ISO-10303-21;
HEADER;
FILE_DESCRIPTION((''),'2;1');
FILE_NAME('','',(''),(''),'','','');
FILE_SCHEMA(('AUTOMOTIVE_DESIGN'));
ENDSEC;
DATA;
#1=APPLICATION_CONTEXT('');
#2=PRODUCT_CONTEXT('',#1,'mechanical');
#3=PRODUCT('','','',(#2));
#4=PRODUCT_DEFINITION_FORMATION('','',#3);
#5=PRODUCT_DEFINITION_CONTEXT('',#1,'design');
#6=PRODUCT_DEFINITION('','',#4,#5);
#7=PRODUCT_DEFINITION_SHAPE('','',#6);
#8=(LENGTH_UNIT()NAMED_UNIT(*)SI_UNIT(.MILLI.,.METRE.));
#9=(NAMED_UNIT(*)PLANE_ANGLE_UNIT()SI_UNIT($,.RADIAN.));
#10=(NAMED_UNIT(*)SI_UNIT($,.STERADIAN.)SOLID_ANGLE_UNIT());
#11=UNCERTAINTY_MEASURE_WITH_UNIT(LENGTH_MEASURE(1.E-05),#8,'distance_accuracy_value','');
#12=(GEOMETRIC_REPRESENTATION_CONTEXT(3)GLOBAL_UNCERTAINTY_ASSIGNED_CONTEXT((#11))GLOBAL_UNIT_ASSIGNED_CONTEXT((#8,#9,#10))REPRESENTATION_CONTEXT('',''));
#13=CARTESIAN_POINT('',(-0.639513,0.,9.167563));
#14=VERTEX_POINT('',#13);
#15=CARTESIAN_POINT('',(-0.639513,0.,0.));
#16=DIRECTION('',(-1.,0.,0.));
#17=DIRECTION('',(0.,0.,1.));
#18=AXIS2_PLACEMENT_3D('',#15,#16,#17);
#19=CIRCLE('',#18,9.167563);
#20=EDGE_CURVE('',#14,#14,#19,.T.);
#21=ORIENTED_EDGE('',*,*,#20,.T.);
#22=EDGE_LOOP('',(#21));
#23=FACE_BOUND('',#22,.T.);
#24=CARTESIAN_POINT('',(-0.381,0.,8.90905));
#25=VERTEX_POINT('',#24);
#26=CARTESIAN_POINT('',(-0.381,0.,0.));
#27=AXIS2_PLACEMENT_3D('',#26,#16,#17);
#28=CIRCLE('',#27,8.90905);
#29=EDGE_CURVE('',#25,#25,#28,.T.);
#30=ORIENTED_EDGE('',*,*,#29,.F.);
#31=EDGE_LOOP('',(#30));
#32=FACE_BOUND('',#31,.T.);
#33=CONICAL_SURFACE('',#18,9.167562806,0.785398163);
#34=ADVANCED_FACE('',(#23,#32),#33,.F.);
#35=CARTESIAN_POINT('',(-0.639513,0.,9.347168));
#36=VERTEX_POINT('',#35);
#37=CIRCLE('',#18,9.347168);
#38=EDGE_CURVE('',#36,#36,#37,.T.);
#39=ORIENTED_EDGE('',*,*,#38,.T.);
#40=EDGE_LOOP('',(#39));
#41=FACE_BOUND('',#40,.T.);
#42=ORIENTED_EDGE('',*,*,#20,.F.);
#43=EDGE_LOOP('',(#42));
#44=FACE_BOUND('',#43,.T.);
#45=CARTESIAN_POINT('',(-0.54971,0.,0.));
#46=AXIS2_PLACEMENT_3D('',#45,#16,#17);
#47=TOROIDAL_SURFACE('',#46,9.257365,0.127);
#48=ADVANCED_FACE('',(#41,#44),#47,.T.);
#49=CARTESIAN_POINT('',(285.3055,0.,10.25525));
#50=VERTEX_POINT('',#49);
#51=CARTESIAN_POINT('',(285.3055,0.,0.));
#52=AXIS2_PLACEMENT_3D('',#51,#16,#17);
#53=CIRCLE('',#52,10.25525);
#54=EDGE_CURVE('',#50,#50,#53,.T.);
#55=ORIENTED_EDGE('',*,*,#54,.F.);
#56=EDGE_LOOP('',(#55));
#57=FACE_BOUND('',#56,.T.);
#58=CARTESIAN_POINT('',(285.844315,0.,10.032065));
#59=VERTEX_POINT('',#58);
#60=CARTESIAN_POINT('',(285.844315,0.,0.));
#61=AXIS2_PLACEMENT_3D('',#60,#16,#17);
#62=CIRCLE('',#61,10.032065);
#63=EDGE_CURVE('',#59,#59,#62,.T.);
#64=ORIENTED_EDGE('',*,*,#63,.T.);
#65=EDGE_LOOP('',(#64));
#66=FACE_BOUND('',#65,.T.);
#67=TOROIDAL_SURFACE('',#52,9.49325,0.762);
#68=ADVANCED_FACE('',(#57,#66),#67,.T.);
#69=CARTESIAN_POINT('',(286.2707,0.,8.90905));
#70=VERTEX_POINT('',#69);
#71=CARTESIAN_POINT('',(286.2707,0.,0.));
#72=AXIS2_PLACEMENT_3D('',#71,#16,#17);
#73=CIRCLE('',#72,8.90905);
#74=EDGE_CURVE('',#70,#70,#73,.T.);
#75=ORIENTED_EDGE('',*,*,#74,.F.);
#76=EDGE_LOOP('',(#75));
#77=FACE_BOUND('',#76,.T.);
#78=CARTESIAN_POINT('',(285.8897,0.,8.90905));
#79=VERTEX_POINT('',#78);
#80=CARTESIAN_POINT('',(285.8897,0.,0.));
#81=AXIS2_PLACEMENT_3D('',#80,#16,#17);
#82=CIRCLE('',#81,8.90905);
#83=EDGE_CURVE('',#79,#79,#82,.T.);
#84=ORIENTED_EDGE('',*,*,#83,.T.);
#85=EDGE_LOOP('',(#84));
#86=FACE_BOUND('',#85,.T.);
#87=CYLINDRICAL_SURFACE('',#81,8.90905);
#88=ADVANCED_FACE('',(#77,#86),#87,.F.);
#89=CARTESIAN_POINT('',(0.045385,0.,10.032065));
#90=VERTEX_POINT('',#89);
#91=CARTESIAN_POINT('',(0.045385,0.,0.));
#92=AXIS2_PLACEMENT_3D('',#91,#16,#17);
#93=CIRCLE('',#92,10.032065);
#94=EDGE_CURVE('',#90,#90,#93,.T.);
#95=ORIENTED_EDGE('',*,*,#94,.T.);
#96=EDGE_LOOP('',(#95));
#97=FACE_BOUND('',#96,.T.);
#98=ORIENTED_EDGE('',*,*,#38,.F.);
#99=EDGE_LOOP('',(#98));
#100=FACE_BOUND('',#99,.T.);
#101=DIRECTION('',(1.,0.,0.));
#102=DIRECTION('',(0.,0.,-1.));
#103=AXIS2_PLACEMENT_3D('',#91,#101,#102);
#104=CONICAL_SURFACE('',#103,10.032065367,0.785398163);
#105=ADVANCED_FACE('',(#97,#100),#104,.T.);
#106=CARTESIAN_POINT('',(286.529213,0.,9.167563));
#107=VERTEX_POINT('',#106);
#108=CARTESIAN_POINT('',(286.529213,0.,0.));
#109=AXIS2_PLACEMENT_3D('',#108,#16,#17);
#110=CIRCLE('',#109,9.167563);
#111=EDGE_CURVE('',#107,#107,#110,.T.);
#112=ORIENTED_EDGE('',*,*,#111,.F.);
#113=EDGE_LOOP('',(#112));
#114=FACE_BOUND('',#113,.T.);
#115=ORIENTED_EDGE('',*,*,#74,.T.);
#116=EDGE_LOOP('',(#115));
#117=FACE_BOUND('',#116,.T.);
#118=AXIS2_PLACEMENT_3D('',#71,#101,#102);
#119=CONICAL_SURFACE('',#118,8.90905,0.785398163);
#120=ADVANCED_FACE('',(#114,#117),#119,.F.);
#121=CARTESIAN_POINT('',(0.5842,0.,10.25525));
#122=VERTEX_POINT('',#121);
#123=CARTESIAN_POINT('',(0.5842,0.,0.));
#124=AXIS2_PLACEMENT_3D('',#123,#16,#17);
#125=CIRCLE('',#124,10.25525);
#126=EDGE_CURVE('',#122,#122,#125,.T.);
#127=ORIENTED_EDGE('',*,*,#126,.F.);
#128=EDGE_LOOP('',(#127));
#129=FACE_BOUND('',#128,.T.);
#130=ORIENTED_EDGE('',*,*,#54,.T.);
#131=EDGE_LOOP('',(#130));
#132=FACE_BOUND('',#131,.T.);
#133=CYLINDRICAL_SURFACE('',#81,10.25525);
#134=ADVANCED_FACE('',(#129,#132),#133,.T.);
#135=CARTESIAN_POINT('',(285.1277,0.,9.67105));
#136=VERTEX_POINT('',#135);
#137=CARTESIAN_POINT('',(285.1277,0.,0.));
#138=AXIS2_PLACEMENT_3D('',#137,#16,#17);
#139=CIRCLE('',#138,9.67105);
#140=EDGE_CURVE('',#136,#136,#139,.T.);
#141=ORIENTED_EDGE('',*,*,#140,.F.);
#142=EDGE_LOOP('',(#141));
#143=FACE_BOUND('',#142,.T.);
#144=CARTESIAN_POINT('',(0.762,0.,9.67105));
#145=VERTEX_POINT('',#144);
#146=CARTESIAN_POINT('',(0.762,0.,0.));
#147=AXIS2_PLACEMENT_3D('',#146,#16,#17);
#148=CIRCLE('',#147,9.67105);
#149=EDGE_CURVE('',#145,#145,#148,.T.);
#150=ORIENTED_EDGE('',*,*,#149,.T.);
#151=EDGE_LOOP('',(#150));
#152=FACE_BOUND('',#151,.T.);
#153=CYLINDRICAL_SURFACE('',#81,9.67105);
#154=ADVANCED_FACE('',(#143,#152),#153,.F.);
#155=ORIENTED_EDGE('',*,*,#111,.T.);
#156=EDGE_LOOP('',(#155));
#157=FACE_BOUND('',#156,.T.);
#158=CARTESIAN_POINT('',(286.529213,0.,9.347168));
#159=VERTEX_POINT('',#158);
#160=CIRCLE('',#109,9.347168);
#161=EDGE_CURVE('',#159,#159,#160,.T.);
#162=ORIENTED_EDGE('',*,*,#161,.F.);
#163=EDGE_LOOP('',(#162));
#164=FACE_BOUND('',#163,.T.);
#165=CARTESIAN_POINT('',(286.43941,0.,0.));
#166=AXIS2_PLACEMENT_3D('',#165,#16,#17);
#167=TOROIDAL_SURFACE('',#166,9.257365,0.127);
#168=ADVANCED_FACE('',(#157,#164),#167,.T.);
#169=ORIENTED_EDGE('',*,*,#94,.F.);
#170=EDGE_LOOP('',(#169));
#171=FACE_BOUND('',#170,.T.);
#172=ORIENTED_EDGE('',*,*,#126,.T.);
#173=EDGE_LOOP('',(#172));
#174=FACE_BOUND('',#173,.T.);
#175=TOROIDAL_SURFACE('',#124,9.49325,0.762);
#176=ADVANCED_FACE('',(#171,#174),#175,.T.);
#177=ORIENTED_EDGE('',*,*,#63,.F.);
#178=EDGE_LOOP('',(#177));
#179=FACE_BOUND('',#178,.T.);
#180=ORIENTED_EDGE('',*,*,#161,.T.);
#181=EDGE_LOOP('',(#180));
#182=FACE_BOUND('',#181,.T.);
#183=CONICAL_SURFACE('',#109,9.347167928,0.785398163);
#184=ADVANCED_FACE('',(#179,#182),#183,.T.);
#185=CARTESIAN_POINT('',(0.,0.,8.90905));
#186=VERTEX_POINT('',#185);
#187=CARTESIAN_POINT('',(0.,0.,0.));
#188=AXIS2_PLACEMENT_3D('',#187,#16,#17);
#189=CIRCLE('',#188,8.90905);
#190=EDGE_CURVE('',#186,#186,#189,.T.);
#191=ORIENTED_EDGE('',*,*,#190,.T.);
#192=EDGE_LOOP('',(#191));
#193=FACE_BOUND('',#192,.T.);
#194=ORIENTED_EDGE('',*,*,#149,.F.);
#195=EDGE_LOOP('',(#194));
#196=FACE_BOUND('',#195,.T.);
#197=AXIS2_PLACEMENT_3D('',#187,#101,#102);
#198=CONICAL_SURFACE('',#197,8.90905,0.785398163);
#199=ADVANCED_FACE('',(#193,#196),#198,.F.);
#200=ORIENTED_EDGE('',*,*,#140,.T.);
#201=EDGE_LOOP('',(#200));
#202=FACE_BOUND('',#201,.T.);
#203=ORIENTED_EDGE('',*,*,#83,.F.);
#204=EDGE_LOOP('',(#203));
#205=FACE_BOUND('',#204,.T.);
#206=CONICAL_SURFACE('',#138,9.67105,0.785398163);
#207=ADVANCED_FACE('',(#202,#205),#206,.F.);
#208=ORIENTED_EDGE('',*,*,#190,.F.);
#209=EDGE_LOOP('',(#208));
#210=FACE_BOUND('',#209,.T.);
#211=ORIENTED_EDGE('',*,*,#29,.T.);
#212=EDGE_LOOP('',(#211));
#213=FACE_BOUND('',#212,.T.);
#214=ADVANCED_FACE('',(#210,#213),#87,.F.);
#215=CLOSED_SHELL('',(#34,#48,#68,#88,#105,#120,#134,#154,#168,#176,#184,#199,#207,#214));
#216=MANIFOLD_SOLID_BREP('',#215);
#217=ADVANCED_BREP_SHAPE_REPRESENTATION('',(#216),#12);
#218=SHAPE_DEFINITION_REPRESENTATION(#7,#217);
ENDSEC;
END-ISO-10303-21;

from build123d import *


with BuildPart() as part:
    # Sketch1 → Revolve1 (revolve)
    with BuildSketch(Plane.XY):
        with BuildLine():
            Line((-0.639512806, 9.167562806), (-0.381, 8.90905))
            Line((-0.381, 8.90905), (0, 8.90905))
            Line((0, 8.90905), (0.762, 9.67105))
            Line((0.762, 9.67105), (285.1277, 9.67105))
            Line((285.1277, 9.67105), (285.8897, 8.90905))
            Line((285.8897, 8.90905), (286.2707, 8.90905))
            Line((286.2707, 8.90905), (286.529212806, 9.167562806))
            ThreePointArc((286.529212806, 9.167562806), (286.566410245, 9.257365367), (286.529212806, 9.347167928))
            Line((286.529212806, 9.347167928), (285.844315367, 10.032065367))
            ThreePointArc((285.844315367, 10.032065367), (285.597104775, 10.197246204), (285.3055, 10.25525))
            Line((285.3055, 10.25525), (0.5842, 10.25525))
            ThreePointArc((0.5842, 10.25525), (0.292595225, 10.197246204), (0.045384633, 10.032065367))
            Line((0.045384633, 10.032065367), (-0.639512806, 9.347167928))
            ThreePointArc((-0.639512806, 9.347167928), (-0.676710245, 9.257365367), (-0.639512806, 9.167562806))
        make_face()
    revolve(axis=Axis((285.8897, 0, 0), (-1, 0, 0)))


solid = part.part
